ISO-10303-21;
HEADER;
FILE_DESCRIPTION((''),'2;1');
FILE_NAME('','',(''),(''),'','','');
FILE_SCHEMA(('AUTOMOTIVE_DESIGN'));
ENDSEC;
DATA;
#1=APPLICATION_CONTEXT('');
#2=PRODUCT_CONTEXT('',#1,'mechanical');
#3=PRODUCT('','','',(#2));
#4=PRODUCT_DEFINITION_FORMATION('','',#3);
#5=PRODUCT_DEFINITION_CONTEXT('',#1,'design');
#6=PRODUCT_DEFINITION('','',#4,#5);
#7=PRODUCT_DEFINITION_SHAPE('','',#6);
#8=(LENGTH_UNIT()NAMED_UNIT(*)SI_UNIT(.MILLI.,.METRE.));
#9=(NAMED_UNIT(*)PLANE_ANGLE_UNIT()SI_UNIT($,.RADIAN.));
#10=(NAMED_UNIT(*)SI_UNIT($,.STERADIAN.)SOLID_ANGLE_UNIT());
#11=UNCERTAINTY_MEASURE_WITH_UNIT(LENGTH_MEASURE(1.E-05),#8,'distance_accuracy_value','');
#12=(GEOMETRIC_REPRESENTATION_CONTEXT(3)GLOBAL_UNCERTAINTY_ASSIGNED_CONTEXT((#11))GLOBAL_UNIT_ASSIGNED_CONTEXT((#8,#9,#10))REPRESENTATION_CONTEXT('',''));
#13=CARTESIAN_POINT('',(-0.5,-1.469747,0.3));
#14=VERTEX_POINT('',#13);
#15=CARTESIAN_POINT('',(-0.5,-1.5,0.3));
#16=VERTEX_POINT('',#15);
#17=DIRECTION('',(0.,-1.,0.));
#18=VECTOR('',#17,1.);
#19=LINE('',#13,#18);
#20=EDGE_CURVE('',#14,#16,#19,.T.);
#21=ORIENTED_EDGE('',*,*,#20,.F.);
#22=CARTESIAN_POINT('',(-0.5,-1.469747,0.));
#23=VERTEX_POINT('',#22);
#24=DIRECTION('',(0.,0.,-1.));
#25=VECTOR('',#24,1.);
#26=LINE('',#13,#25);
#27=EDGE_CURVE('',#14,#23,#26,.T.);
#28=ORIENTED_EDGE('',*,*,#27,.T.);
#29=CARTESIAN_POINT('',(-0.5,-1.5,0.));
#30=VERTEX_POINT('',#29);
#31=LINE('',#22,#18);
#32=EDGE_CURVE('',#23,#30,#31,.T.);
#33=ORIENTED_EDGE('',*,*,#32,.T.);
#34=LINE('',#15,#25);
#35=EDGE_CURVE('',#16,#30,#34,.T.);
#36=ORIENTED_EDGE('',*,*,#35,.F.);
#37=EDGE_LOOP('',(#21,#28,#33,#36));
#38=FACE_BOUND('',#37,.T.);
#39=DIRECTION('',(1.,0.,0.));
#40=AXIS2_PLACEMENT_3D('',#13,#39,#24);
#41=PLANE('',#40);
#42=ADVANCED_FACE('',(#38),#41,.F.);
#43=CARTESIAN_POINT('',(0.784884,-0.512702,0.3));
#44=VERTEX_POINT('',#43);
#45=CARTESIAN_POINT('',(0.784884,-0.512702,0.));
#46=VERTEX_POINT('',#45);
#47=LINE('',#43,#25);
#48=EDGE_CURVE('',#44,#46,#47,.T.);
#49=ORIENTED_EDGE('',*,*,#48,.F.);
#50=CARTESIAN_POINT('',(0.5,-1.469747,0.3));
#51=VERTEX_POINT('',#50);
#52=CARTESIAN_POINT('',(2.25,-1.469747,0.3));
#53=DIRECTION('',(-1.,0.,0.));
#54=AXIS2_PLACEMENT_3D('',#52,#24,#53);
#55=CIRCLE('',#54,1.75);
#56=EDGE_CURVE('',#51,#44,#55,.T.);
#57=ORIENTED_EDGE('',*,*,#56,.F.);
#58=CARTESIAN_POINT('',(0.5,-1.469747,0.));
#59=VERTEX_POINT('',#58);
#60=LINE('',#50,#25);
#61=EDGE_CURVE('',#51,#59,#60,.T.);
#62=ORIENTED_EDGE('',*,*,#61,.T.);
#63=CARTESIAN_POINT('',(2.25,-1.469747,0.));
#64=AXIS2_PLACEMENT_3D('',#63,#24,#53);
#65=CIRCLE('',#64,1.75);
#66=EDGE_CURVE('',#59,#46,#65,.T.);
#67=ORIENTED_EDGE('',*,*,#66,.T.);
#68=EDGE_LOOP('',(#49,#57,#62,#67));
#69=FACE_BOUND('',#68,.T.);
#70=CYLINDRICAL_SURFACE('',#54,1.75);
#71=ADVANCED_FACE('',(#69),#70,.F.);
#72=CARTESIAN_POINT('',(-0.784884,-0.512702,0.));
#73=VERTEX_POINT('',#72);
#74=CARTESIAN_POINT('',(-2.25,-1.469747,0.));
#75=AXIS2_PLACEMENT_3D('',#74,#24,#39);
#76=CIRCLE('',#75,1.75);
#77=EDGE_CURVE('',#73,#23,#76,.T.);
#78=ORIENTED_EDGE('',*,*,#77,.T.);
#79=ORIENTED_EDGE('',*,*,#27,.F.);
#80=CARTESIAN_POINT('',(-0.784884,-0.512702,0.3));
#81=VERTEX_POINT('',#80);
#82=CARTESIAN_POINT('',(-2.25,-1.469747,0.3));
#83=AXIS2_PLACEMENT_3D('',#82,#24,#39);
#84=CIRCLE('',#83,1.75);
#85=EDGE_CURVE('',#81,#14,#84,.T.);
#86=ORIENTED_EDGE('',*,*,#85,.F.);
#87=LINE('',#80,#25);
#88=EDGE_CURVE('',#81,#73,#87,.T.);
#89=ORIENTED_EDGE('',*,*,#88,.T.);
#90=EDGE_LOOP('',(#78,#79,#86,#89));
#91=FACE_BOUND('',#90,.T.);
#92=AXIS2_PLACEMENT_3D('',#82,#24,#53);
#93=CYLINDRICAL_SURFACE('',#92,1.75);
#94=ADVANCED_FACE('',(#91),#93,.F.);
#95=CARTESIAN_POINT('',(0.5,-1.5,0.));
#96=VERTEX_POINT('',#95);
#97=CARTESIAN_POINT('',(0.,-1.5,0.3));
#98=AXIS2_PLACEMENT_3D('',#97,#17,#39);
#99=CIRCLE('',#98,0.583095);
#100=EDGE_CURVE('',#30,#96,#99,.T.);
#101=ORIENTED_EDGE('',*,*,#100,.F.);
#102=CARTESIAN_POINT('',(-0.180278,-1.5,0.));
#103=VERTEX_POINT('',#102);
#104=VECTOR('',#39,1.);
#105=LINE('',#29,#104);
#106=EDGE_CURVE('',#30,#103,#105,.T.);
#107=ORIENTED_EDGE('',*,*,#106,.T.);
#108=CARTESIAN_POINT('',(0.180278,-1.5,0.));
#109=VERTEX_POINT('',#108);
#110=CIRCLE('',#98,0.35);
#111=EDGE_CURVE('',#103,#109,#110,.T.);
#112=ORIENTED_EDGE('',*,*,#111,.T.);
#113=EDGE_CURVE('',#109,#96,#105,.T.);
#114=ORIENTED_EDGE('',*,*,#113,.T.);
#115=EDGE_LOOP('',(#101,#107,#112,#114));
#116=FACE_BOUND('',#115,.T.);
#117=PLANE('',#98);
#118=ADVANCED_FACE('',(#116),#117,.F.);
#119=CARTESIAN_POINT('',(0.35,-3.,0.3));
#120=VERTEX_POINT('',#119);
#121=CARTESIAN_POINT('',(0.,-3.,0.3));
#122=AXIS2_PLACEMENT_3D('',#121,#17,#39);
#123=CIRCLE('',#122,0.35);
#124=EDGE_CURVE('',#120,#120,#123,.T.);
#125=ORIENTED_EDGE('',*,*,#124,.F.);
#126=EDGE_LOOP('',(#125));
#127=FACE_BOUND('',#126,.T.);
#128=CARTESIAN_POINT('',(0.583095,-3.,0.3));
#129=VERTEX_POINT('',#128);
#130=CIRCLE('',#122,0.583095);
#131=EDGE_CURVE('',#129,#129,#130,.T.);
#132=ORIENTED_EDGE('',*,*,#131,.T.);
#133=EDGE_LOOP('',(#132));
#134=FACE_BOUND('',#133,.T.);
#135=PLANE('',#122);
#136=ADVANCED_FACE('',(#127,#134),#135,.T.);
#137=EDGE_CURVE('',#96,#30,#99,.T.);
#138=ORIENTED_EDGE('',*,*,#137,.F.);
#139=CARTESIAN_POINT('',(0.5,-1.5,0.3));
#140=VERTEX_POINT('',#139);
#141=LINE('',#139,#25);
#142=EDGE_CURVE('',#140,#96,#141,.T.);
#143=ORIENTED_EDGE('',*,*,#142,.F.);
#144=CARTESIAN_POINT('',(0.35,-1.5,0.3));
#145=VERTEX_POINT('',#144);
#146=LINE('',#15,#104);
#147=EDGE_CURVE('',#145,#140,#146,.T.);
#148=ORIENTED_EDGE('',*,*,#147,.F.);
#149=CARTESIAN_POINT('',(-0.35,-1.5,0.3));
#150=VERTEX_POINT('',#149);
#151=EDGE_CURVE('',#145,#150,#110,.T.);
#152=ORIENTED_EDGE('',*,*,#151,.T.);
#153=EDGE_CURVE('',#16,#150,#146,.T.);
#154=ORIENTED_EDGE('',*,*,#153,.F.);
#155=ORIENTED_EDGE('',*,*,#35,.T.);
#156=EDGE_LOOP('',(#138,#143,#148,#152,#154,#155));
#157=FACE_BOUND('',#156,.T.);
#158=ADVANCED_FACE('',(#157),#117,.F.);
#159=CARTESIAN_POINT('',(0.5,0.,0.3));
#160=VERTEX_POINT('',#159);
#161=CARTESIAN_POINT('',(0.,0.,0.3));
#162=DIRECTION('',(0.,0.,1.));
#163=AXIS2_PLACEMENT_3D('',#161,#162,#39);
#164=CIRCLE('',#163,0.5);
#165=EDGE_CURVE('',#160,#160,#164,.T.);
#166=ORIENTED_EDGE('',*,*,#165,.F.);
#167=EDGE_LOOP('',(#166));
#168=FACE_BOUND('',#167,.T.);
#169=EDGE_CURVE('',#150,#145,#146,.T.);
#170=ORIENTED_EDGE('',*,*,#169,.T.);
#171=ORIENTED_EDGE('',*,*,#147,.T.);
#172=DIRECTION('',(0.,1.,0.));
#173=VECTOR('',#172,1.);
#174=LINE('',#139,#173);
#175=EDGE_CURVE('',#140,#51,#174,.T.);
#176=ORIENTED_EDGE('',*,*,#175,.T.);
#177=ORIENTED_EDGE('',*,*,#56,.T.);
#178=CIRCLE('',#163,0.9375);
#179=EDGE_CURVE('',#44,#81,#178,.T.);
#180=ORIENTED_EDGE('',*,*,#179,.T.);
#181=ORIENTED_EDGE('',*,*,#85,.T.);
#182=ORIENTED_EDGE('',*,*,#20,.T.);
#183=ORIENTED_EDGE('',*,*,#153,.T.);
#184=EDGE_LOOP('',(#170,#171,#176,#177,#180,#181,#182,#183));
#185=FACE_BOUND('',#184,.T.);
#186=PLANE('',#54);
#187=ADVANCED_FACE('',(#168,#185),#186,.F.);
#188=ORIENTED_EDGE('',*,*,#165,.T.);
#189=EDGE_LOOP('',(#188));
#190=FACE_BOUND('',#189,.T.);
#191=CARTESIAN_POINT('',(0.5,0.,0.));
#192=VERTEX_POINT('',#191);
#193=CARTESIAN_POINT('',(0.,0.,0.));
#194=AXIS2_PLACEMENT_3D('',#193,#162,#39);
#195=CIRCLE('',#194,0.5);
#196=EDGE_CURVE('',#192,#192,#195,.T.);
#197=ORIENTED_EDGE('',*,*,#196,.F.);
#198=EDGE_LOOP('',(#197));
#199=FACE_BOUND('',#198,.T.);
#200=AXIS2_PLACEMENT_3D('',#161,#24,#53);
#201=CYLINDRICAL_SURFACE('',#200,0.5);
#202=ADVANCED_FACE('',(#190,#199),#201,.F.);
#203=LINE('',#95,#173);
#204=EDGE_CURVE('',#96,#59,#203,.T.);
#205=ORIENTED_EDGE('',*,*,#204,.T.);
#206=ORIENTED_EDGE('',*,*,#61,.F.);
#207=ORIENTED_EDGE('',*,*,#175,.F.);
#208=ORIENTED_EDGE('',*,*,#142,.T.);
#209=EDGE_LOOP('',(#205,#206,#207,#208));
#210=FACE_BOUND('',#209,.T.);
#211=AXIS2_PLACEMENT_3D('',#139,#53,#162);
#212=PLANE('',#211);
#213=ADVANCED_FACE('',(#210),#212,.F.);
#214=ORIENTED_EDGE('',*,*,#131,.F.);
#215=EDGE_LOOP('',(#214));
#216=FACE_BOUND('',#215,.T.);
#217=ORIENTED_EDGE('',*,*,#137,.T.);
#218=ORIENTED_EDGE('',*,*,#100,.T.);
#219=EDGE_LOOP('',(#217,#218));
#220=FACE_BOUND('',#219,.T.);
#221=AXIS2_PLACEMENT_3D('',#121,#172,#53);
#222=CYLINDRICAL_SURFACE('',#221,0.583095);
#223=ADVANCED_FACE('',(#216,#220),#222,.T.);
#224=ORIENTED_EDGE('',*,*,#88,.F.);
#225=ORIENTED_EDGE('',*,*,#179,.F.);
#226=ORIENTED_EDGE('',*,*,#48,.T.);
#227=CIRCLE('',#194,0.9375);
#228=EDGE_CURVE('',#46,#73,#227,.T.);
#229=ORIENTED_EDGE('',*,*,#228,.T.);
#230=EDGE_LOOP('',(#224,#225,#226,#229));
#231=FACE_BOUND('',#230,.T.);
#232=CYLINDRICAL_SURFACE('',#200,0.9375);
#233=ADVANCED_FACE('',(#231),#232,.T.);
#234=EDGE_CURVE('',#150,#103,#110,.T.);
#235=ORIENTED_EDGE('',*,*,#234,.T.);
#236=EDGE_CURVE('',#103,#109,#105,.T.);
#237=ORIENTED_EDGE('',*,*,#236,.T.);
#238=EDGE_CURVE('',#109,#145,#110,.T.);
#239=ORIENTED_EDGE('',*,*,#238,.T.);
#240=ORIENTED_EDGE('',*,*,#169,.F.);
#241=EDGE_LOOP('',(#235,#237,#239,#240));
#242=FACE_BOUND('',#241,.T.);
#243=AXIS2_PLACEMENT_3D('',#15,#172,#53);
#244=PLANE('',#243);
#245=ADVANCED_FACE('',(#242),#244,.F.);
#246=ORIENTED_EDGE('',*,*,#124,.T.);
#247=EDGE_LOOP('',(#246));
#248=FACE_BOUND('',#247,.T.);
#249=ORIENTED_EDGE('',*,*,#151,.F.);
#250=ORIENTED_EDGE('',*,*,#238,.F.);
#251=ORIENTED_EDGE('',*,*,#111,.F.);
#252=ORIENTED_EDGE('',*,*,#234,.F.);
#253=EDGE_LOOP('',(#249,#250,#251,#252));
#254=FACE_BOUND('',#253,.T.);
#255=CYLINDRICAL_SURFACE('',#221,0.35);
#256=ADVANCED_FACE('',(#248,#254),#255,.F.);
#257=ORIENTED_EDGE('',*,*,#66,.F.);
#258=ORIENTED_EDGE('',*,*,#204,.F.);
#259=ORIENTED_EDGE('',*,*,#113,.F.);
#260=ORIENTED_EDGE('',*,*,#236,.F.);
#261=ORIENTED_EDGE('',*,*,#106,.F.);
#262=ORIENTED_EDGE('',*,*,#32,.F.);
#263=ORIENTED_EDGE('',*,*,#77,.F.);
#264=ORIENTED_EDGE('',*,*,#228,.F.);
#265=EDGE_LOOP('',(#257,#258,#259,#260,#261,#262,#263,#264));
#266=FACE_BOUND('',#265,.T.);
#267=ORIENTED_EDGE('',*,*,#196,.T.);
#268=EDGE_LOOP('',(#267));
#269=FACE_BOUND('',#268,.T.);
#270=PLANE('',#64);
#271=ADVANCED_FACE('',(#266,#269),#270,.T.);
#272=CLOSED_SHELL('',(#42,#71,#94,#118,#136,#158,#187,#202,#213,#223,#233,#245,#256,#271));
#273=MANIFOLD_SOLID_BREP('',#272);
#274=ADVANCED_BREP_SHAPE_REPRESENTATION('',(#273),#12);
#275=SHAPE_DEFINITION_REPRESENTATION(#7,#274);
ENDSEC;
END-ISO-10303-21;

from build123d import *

# Parameters (mm, degrees)
SKETCH_1_R      = 0.5
EXTRUDE_1_DEPTH = 0.3
SKETCH_16_R     = 0.583095189
SKETCH_16_R_2   = 0.35
EXTRUDE_5_DEPTH = 1.5


with BuildPart() as part:
    # ｽｹｯﾁ1 → ﾎﾞｽ - 押し出し1 (new body)
    with BuildSketch(Plane.XY):
        with BuildLine():
            Line((-0.5, -1.5), (0.5, -1.5))
            Line((0.5, -1.5), (0.5, -1.469747002))
            ThreePointArc((0.5, -1.469747002), (0.572732358, -0.970474275), (0.784883721, -0.512702443))
            ThreePointArc((0.784883721, -0.512702443), (0, 0.9375), (-0.784883721, -0.512702443))
            ThreePointArc((-0.784883721, -0.512702443), (-0.572732358, -0.970474275), (-0.5, -1.469747002))
            Line((-0.5, -1.469747002), (-0.5, -1.5))
        make_face()
        Circle(SKETCH_1_R, mode=Mode.SUBTRACT)
    extrude(amount=EXTRUDE_1_DEPTH)

    # ｽｹｯﾁ16 → ﾎﾞｽ - 押し出し5 (add)
    with BuildSketch(Plane(origin=(0, -1.5, 0), x_dir=(-1, 0, 0), z_dir=(0, -1, 0))):
        with Locations(Location((0, -0.3, 0), (0, 0, 30.963756532))):
            Circle(SKETCH_16_R)
        with Locations(Location((0, -0.3, 0), (0, 0, 180))):
            Circle(SKETCH_16_R_2, mode=Mode.SUBTRACT)
    extrude(amount=EXTRUDE_5_DEPTH)


solid = part.part
